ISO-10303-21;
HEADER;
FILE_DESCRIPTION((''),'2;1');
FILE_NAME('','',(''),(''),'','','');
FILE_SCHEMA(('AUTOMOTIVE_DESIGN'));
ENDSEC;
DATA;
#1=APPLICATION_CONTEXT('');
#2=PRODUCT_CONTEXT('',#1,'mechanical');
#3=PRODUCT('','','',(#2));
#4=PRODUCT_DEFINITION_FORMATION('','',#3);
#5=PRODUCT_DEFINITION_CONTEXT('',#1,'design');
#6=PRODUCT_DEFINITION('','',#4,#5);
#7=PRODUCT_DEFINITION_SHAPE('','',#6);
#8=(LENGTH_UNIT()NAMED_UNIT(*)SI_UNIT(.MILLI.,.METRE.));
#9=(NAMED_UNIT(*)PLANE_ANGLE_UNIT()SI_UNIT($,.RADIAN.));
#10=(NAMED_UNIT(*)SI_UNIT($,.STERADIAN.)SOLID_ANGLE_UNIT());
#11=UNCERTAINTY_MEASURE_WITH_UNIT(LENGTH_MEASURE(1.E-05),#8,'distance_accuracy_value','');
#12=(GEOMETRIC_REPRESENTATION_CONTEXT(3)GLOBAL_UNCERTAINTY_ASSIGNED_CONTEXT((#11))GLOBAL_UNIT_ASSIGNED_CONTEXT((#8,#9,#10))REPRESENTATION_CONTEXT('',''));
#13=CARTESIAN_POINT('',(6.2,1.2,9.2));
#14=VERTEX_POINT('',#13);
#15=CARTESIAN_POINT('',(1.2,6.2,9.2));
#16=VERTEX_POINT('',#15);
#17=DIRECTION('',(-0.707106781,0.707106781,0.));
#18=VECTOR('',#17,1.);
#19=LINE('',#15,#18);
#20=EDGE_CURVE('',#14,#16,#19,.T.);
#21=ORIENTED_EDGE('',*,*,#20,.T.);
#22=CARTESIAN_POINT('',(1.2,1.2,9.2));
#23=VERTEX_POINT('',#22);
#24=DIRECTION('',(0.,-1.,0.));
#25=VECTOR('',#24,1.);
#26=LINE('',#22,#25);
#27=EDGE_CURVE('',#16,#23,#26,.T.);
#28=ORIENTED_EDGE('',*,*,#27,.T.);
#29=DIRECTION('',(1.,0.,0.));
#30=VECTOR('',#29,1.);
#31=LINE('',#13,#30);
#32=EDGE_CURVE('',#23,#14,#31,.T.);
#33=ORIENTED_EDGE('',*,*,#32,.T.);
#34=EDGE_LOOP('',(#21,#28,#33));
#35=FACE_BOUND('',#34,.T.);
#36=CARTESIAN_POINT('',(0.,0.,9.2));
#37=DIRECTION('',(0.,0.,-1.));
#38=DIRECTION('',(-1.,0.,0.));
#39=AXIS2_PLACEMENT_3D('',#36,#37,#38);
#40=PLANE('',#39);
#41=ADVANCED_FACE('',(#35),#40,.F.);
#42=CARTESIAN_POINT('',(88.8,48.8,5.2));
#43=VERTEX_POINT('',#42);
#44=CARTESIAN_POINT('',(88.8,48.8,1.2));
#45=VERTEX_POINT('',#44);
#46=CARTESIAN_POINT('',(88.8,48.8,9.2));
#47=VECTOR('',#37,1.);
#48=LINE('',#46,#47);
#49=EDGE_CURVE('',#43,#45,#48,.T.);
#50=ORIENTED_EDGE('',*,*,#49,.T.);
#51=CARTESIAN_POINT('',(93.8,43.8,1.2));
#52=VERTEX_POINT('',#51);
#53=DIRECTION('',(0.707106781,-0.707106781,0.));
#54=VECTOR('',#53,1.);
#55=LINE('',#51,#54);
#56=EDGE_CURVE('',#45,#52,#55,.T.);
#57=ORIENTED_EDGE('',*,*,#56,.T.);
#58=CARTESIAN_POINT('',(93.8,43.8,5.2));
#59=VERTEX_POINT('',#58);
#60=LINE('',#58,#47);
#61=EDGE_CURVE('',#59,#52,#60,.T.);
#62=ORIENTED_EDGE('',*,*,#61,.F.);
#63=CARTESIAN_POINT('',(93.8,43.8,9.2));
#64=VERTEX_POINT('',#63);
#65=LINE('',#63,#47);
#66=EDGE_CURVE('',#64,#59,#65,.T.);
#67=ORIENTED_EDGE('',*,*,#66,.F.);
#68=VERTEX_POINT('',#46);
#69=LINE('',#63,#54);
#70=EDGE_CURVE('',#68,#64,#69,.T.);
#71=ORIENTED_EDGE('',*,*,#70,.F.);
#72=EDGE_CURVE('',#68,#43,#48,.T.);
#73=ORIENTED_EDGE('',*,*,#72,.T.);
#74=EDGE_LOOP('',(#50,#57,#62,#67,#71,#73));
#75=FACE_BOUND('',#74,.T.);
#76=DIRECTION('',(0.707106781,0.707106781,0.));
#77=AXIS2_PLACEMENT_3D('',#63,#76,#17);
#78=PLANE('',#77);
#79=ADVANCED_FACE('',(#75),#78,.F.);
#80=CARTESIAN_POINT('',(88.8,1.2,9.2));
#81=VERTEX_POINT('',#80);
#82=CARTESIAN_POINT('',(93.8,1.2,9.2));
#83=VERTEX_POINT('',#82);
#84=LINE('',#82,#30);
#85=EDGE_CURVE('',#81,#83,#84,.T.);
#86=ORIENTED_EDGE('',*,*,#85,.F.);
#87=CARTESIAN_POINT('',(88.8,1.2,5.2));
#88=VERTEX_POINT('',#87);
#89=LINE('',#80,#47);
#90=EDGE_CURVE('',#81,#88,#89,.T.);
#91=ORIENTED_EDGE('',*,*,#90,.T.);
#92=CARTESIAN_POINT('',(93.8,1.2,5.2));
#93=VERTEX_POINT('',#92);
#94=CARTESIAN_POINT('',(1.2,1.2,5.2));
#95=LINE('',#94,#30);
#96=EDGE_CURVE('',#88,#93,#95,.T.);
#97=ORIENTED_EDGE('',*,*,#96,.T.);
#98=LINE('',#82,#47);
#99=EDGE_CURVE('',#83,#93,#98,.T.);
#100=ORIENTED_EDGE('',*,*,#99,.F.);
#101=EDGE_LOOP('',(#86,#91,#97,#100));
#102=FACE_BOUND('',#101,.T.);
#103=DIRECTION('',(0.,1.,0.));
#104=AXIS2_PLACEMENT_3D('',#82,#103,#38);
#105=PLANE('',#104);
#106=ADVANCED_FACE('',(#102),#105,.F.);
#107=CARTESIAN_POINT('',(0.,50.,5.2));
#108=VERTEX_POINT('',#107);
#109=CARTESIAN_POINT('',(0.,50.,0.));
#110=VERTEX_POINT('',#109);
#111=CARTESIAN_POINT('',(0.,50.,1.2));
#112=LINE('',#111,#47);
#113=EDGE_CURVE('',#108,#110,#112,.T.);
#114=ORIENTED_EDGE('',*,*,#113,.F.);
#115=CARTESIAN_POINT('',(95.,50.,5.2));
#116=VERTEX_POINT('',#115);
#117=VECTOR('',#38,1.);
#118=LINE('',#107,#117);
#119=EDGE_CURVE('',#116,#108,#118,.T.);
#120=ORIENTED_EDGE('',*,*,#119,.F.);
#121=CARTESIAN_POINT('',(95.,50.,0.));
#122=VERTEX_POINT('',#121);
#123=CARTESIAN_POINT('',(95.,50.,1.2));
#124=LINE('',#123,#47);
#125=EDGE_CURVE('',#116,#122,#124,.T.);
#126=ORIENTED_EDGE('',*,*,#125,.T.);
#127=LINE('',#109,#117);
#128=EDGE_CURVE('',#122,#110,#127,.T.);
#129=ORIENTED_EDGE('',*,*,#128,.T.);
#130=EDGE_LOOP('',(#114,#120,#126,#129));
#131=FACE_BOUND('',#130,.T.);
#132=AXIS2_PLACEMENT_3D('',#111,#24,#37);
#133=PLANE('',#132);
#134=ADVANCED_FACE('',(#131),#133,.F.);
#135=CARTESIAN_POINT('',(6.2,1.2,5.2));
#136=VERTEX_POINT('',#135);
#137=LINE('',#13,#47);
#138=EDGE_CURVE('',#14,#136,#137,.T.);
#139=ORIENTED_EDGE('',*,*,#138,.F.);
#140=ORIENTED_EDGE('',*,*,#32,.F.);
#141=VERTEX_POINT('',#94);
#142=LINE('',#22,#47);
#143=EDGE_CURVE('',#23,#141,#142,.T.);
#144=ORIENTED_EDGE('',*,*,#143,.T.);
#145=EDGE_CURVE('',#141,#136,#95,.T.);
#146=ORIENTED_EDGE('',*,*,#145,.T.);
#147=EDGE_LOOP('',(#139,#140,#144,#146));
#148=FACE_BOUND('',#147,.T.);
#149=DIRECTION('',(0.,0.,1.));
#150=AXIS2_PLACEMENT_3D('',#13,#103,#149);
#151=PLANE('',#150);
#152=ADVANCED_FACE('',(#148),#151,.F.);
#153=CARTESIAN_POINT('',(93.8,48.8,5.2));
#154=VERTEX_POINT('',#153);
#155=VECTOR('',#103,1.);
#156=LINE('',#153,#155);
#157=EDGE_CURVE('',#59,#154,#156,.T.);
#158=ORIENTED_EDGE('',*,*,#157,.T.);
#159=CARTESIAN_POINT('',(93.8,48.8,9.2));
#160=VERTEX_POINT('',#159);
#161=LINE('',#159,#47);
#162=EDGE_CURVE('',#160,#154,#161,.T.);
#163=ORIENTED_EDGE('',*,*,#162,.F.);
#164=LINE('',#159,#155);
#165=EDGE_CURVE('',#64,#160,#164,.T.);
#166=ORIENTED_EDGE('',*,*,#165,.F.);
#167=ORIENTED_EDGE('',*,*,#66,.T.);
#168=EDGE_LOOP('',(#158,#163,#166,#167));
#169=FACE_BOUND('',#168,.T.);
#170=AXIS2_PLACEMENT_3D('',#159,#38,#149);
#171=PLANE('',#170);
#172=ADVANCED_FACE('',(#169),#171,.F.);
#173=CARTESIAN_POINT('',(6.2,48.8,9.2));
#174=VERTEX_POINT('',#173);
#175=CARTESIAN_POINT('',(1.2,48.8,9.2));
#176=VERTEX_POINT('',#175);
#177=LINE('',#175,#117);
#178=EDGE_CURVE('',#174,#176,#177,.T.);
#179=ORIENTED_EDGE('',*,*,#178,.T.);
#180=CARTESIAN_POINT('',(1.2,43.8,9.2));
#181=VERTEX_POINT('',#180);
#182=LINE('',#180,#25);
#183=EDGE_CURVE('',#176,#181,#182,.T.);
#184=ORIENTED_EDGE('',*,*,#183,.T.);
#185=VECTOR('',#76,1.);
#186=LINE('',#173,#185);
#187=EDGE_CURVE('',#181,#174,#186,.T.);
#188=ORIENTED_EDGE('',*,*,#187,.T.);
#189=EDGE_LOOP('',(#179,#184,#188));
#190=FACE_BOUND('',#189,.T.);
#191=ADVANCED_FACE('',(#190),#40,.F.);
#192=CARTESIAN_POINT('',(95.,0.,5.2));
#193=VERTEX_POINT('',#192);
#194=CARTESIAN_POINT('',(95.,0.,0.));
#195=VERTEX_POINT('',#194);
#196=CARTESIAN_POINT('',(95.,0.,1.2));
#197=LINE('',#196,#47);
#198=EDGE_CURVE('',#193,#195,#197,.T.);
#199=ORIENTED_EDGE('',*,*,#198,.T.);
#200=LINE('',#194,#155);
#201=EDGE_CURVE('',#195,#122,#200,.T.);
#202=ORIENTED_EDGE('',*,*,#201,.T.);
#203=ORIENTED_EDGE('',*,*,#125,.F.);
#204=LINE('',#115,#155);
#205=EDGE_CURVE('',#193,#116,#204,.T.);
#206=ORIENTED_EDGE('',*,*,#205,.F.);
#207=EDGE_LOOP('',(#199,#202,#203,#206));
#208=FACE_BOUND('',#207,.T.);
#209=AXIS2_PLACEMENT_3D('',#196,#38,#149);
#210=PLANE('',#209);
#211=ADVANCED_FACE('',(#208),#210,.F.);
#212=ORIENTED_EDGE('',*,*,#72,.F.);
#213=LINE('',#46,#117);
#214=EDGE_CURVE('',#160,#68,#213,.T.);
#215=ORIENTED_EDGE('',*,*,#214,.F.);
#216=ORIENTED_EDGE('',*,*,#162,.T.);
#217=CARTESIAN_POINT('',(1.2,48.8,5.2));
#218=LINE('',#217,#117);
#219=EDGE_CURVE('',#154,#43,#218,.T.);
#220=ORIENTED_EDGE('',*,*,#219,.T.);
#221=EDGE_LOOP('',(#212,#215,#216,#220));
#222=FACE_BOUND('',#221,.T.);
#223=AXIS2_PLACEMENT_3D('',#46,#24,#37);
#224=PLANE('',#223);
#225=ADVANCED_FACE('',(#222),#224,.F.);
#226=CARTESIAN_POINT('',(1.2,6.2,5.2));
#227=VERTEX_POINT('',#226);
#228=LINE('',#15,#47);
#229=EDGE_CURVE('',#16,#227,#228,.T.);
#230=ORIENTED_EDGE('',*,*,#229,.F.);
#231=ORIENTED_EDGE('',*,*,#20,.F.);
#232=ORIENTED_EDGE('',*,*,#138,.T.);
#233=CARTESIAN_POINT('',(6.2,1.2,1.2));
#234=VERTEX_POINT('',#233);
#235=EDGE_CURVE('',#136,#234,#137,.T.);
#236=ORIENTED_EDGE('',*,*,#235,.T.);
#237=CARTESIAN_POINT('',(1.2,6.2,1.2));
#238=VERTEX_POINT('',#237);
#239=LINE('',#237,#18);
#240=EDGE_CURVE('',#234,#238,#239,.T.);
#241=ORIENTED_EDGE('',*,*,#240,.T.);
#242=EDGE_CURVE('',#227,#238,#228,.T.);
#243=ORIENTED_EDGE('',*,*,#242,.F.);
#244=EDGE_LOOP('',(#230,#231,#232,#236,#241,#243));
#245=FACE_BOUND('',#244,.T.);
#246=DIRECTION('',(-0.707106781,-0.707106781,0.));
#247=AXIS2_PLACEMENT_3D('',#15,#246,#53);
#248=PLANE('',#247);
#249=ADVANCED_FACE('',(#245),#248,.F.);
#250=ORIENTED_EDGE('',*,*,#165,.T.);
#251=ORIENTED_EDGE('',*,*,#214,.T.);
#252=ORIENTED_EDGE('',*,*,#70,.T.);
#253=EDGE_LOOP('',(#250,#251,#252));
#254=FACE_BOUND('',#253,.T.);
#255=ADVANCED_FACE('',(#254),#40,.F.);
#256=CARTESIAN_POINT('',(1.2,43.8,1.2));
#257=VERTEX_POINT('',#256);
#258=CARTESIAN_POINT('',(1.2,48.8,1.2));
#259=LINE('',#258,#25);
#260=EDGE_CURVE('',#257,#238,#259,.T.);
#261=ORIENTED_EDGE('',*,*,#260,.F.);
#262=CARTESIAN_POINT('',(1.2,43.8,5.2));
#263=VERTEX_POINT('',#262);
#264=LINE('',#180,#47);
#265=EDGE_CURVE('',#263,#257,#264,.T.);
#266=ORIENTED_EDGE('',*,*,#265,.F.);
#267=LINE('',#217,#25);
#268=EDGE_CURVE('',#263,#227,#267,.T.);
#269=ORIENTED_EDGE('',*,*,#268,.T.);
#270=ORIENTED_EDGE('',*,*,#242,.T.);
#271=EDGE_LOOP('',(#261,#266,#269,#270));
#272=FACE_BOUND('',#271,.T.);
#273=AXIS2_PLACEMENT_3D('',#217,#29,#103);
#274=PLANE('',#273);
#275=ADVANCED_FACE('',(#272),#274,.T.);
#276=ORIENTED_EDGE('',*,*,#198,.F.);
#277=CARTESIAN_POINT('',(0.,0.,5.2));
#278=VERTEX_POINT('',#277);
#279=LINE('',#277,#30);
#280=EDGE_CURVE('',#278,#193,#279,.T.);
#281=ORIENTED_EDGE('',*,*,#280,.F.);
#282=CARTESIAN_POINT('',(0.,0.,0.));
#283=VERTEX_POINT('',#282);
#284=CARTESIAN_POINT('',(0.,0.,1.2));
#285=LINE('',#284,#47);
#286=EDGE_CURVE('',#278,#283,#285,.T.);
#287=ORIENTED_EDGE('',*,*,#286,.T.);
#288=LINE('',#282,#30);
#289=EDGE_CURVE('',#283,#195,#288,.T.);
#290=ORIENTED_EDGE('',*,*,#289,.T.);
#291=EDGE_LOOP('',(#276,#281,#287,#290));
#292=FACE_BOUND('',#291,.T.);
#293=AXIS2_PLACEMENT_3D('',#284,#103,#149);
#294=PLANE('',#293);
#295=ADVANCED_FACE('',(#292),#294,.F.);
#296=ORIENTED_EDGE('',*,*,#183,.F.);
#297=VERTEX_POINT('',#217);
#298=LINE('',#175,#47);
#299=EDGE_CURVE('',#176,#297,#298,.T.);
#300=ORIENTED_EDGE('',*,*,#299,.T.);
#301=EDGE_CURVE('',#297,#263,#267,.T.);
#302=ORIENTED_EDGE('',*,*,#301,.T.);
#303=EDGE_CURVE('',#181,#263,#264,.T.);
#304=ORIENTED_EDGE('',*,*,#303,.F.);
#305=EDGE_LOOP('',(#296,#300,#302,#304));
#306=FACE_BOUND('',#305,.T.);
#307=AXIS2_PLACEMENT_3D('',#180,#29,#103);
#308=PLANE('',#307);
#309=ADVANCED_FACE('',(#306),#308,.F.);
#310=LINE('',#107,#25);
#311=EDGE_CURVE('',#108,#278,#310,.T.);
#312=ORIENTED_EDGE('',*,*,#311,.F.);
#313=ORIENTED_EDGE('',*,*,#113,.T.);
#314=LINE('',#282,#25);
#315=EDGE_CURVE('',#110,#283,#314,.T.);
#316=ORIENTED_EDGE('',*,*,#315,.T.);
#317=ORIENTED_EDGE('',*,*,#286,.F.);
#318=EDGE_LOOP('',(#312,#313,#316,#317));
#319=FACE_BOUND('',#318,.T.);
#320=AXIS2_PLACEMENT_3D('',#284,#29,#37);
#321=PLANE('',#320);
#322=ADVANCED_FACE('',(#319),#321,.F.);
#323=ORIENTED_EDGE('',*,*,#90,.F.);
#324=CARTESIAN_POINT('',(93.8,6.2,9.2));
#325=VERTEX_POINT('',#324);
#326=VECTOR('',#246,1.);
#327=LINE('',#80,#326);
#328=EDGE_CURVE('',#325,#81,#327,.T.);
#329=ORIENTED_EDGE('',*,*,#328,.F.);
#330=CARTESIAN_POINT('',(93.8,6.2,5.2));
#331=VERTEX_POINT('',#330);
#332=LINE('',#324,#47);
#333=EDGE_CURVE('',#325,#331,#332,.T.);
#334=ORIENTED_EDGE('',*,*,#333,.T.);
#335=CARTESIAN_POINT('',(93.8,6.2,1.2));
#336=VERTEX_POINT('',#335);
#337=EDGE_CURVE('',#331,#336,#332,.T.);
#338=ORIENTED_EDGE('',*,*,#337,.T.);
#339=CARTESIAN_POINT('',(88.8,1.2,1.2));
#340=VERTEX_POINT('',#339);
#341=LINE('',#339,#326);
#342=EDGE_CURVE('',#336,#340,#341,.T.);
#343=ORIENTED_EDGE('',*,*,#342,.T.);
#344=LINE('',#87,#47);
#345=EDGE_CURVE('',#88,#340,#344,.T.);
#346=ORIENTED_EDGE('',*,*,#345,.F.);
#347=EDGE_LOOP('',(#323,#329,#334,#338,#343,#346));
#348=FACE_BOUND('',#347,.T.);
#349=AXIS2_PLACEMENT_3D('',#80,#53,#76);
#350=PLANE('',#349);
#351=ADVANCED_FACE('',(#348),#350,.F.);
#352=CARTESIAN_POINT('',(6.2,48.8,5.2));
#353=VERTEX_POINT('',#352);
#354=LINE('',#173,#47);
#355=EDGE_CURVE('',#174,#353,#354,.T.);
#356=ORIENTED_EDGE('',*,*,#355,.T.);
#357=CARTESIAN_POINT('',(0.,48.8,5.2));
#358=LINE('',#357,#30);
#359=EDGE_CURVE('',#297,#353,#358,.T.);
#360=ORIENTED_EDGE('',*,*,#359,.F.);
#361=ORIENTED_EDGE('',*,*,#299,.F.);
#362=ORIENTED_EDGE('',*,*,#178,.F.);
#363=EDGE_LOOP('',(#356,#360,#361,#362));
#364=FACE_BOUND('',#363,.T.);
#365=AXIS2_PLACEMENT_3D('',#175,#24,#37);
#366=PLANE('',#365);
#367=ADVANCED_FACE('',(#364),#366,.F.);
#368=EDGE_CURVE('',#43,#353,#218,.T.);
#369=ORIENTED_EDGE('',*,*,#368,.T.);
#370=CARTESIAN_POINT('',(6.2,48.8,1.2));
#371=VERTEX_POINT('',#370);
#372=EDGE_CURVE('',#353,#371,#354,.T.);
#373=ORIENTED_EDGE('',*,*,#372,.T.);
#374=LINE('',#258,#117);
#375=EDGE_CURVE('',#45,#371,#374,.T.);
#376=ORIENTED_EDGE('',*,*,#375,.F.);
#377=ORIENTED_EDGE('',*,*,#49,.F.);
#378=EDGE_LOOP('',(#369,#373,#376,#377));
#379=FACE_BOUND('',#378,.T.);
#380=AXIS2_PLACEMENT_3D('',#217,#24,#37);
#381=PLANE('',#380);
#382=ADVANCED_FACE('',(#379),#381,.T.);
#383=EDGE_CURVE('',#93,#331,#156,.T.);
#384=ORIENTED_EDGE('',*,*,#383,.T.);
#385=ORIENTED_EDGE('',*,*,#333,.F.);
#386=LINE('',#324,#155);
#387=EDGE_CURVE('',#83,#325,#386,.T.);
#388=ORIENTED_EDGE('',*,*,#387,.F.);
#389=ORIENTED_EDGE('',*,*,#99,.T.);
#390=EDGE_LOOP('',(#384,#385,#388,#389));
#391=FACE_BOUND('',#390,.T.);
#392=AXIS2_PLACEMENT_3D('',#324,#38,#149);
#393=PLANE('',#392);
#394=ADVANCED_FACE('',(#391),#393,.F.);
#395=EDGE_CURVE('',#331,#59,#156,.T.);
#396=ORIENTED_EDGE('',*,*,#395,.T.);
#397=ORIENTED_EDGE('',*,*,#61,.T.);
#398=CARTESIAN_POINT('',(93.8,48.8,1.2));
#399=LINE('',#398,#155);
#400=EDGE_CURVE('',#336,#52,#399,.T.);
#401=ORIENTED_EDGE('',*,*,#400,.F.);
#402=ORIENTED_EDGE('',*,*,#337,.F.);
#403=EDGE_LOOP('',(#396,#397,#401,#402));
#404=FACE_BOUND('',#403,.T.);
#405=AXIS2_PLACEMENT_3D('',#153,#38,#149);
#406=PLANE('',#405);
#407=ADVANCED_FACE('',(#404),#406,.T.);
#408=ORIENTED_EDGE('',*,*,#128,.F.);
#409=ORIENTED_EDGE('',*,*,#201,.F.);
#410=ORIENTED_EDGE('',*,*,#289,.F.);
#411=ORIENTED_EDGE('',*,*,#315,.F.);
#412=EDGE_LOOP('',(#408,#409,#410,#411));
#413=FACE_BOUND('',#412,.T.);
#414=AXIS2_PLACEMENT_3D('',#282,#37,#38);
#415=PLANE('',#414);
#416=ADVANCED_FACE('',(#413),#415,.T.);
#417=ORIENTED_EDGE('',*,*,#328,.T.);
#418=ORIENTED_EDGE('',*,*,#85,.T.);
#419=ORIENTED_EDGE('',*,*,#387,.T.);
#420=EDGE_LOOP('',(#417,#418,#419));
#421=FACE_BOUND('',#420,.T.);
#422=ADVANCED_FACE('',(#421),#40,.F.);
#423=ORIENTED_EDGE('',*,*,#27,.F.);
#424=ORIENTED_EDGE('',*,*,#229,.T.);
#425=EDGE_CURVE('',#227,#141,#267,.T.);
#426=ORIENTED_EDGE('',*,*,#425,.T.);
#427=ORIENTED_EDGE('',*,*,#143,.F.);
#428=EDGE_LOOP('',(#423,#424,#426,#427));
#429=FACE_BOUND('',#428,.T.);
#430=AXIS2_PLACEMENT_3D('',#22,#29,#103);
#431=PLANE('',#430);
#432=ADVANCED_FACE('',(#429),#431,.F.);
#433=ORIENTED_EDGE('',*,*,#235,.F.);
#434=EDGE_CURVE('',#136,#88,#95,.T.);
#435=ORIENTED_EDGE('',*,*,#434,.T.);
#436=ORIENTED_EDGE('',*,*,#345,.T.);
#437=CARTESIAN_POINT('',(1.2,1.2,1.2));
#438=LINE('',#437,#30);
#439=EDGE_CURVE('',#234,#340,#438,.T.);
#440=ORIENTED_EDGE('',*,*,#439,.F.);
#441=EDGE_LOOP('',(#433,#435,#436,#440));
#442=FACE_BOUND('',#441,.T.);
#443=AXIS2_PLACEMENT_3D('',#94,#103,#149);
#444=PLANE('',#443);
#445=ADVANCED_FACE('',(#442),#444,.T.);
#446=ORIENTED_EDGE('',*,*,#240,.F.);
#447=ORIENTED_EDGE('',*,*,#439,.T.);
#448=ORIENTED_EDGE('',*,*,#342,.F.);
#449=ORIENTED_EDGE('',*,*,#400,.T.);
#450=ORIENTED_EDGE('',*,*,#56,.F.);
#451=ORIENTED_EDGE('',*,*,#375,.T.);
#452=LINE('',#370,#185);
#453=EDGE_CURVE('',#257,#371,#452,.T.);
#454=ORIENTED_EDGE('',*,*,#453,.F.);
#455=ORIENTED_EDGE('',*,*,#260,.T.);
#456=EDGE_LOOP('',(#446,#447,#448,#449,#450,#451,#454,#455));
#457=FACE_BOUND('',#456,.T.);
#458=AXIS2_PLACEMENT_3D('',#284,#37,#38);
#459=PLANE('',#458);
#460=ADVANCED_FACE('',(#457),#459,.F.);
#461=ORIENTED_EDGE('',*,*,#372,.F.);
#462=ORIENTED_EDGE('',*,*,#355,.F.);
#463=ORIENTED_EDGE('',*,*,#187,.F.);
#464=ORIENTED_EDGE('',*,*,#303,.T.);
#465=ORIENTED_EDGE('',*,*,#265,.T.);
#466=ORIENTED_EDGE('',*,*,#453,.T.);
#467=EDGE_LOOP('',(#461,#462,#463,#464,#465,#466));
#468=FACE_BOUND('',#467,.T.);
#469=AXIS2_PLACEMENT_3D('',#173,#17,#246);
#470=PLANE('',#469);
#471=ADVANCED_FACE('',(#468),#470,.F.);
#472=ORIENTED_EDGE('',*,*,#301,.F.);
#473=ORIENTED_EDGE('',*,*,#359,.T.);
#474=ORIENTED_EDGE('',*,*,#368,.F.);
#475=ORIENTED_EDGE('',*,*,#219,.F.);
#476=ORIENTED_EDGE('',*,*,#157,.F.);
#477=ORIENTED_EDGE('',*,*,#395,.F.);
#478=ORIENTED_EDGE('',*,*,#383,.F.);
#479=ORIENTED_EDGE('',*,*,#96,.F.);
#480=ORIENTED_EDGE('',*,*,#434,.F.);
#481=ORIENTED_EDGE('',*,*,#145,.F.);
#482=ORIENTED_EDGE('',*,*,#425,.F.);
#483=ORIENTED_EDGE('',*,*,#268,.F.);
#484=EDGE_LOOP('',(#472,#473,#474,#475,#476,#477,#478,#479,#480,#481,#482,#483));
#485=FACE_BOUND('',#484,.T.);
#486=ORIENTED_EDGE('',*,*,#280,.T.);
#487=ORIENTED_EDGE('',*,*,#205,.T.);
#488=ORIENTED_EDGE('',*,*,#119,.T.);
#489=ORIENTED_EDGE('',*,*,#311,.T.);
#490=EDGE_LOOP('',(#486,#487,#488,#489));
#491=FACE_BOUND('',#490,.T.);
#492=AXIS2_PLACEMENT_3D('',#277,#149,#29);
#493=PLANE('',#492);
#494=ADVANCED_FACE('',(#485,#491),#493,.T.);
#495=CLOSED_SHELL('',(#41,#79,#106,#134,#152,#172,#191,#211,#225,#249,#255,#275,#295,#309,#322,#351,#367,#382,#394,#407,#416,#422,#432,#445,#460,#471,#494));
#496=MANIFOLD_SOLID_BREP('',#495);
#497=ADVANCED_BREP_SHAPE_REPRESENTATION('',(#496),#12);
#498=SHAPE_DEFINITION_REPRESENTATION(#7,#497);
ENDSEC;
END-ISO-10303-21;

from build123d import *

# Parameters (mm, degrees)
SKICA1_W                = 95
SKICA1_H                = 50
P_IDAT_VYSUNUT_M1_DEPTH = 1.2
SKICA2_W                = 95
SKICA2_H                = 50
SKICA2_W_2              = 92.6
SKICA2_H_2              = 47.6
P_IDAT_VYSUNUT_M2_DEPTH = 4
P_IDAT_VYSUNUT_M3_DEPTH = 8


with BuildPart() as part:
    # Skica1 → Přidat vysunutím1 (new body)
    with BuildSketch(Plane.XY):
        with Locations((47.5, 25)):
            Rectangle(SKICA1_W, SKICA1_H)
    extrude(amount=P_IDAT_VYSUNUT_M1_DEPTH)

    # Skica2 → Přidat vysunutím2 (add)
    with BuildSketch(Plane.XY.offset(1.2)):
        with Locations((47.5, 25)):
            Rectangle(SKICA2_W, SKICA2_H)
        with Locations((47.5, 25)):
            Rectangle(SKICA2_W_2, SKICA2_H_2, mode=Mode.SUBTRACT)
    extrude(amount=P_IDAT_VYSUNUT_M2_DEPTH)

    # Skica3 → Přidat vysunutím3 (add)
    with BuildSketch(Plane.XY.offset(1.2)):
        Polygon((1.2, 48.8), (6.2, 48.8), (1.2, 43.8), align=None)
        Polygon((93.8, 48.8), (93.8, 43.8), (88.8, 48.8), align=None)
        Polygon((93.8, 1.2), (88.8, 1.2), (93.8, 6.2), align=None)
        Polygon((1.2, 1.2), (1.2, 6.2), (6.2, 1.2), align=None)
    extrude(amount=P_IDAT_VYSUNUT_M3_DEPTH)


solid = part.part
